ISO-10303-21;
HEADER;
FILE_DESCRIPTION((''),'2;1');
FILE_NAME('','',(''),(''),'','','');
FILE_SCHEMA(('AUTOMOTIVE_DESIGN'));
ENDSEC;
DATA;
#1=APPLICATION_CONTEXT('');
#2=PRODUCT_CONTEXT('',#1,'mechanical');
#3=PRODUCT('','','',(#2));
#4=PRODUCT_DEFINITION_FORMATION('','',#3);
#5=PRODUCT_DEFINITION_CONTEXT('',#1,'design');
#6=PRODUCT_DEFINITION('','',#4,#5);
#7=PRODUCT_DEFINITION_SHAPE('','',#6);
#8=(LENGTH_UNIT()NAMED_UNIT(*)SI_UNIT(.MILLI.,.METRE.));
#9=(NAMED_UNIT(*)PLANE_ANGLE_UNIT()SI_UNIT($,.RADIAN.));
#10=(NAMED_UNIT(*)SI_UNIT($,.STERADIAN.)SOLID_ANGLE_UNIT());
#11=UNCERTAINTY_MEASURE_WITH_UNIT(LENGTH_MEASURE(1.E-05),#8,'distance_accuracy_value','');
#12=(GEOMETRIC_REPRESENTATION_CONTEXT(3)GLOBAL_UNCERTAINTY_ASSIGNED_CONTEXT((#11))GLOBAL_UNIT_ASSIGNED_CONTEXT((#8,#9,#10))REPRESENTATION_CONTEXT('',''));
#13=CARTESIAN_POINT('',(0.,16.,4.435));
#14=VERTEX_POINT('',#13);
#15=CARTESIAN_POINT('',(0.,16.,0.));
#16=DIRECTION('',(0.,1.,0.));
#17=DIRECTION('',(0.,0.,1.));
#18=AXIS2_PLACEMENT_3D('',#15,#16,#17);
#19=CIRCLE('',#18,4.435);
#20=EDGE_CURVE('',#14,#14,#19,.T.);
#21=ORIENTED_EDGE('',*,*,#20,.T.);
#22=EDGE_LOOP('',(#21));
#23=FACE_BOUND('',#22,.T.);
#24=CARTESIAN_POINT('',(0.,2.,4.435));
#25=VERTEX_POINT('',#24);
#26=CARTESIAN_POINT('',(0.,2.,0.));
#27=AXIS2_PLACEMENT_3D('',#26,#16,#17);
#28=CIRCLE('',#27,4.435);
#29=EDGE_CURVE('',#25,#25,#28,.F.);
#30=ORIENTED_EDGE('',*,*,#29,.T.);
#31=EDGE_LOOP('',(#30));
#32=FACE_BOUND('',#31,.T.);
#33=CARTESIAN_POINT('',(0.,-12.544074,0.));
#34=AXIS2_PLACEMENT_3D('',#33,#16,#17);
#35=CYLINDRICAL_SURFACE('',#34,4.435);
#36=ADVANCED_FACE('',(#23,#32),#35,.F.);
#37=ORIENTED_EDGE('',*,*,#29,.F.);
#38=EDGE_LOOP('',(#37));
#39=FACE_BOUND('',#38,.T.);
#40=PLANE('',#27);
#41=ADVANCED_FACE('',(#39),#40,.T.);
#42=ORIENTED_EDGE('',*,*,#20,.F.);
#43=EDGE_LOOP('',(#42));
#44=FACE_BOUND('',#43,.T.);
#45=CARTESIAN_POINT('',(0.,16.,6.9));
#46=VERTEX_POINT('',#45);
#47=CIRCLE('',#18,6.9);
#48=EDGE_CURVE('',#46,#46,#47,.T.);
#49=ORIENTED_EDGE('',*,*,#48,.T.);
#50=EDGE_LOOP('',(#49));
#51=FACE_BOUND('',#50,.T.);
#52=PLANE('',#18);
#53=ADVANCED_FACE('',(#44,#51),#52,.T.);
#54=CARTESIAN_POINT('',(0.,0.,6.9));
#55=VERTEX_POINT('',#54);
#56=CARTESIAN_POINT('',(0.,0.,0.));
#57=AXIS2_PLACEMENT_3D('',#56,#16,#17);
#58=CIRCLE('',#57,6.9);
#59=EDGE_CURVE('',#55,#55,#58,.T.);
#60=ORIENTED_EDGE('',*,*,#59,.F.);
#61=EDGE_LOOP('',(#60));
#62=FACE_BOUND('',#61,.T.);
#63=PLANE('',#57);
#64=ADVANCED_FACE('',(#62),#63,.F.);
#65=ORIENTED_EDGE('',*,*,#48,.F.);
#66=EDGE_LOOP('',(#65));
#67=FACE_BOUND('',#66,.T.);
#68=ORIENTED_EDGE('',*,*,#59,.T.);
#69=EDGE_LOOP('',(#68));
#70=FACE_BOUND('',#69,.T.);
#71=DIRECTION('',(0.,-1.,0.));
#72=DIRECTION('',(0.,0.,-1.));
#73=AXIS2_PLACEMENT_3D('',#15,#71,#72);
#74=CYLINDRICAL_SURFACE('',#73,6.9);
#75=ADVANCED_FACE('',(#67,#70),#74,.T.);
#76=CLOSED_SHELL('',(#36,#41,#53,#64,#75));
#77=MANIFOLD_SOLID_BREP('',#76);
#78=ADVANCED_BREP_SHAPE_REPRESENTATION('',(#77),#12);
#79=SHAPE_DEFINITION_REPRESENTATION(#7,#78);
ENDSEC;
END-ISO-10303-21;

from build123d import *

# Parameters (mm, degrees)
SKETCH1_R           = 6.9
BOSS_EXTRUDE1_DEPTH = 16
SKETCH2_R           = 4.435
CUT_EXTRUDE1_DEPTH  = 14


with BuildPart() as part:
    # Sketch1 → Boss-Extrude1 (new body)
    with BuildSketch(Plane(origin=(0, 0, 0), x_dir=(1, 0, 0), z_dir=(0, 1, 0))):
        with Locations(Location((0, 0, 0), (0, 0, 270))):
            Circle(SKETCH1_R)
    extrude(amount=BOSS_EXTRUDE1_DEPTH)

    # Sketch2 → Cut-Extrude1 (cut)
    with BuildSketch(Plane(origin=(0, 16, 0), x_dir=(1, 0, 0), z_dir=(0, 1, 0))):
        with Locations(Location((0, 0, 0), (0, 0, 270))):
            Circle(SKETCH2_R)
    extrude(amount=-CUT_EXTRUDE1_DEPTH, mode=Mode.SUBTRACT)


solid = part.part
